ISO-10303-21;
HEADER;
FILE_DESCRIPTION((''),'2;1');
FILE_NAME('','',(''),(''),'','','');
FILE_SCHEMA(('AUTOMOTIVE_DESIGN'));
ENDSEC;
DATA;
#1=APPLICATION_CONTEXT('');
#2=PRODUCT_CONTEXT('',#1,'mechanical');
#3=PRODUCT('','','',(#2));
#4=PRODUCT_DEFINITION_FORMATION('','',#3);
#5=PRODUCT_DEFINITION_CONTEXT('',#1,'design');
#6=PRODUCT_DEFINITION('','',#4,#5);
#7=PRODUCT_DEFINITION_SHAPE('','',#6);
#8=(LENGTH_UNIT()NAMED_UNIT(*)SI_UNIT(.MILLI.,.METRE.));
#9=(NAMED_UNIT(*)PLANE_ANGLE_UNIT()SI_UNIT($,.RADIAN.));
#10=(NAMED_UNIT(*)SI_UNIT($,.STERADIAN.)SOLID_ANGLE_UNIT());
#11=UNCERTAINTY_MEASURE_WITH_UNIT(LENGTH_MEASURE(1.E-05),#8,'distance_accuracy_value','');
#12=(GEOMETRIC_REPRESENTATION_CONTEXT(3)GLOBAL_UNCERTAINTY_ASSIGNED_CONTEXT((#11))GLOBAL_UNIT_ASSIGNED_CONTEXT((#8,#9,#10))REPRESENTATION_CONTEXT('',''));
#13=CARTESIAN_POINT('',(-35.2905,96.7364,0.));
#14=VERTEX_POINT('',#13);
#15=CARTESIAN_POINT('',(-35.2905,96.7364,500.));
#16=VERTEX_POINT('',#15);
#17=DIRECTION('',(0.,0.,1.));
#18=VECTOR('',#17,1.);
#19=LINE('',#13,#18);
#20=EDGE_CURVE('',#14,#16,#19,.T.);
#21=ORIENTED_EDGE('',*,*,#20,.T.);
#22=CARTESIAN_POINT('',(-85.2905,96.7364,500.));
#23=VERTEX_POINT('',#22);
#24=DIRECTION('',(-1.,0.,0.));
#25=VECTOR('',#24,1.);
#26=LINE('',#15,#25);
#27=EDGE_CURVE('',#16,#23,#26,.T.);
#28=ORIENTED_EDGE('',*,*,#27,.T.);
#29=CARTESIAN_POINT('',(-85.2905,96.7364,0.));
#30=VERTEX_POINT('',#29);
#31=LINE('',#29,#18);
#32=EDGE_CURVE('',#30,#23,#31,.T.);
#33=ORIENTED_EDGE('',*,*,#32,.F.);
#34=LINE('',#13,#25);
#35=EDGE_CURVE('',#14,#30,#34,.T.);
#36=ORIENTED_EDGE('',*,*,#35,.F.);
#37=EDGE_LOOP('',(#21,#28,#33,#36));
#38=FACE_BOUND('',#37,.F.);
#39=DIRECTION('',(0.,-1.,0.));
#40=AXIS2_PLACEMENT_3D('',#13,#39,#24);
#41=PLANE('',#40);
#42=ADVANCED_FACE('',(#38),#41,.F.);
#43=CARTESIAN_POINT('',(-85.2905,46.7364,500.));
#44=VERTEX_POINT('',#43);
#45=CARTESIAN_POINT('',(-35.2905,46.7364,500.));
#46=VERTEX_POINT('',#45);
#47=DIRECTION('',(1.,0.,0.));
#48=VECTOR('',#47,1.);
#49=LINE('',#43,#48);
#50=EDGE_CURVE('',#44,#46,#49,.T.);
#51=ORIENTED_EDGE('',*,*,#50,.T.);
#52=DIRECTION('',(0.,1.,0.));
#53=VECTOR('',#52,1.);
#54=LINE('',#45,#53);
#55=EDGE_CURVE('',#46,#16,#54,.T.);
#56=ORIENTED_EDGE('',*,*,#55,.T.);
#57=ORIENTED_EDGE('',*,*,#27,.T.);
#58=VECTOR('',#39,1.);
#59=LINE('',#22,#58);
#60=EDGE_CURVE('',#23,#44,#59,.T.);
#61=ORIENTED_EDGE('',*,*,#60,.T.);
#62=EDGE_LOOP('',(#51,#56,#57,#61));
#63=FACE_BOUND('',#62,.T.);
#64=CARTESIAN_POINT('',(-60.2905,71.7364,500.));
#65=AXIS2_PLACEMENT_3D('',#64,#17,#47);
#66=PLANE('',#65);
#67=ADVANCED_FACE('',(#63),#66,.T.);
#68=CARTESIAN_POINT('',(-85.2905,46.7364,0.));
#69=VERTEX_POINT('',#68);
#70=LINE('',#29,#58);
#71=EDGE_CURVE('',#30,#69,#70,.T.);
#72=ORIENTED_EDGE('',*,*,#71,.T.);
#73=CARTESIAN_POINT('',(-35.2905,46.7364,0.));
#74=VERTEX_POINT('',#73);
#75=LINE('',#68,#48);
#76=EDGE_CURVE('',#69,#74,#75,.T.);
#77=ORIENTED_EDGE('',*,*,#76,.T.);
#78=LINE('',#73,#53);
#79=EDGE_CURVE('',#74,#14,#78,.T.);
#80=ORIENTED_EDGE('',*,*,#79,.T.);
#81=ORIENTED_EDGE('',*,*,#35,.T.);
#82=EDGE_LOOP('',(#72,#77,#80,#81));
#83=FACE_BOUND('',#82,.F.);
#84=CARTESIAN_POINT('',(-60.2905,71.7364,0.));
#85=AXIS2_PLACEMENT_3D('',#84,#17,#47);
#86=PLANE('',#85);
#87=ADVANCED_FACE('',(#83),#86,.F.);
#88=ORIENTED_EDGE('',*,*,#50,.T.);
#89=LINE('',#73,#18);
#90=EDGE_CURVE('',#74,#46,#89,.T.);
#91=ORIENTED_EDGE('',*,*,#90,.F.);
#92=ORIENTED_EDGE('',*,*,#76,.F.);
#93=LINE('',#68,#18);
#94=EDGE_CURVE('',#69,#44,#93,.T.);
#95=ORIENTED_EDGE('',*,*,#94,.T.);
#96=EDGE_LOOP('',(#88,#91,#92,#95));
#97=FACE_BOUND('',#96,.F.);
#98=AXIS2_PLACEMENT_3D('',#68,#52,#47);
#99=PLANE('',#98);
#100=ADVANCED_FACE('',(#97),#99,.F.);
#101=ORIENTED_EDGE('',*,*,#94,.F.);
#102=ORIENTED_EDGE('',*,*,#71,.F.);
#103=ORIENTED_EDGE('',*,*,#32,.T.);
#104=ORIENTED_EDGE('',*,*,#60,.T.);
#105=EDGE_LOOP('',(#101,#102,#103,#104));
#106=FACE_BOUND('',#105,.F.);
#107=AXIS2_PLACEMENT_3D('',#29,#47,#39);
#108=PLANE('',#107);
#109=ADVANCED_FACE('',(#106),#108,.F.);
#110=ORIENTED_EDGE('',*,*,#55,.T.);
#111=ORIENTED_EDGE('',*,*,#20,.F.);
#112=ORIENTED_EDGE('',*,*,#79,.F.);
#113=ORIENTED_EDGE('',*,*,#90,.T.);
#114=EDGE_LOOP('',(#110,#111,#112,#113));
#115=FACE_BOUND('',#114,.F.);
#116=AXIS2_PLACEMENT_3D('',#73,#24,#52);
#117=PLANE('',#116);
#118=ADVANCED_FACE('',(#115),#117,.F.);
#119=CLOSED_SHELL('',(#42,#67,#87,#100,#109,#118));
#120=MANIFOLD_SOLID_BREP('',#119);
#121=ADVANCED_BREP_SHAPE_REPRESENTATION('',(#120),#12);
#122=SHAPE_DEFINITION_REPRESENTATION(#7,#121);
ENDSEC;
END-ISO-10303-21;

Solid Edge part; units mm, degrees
sketch "Sketch1" plane through (0, 0, 0) normal (0, 0, 1) x (1, 0, 0)
  line L0 (-85.2905, 46.7364) -> (-35.2905, 46.7364)
  line L1 (-35.2905, 46.7364) -> (-35.2905, 96.7364)
  line L2 (-35.2905, 96.7364) -> (-85.2905, 96.7364)
  line L3 (-85.2905, 96.7364) -> (-85.2905, 46.7364)
extrude "Protrusion1" add sketch "Sketch1" along normal blind 500
